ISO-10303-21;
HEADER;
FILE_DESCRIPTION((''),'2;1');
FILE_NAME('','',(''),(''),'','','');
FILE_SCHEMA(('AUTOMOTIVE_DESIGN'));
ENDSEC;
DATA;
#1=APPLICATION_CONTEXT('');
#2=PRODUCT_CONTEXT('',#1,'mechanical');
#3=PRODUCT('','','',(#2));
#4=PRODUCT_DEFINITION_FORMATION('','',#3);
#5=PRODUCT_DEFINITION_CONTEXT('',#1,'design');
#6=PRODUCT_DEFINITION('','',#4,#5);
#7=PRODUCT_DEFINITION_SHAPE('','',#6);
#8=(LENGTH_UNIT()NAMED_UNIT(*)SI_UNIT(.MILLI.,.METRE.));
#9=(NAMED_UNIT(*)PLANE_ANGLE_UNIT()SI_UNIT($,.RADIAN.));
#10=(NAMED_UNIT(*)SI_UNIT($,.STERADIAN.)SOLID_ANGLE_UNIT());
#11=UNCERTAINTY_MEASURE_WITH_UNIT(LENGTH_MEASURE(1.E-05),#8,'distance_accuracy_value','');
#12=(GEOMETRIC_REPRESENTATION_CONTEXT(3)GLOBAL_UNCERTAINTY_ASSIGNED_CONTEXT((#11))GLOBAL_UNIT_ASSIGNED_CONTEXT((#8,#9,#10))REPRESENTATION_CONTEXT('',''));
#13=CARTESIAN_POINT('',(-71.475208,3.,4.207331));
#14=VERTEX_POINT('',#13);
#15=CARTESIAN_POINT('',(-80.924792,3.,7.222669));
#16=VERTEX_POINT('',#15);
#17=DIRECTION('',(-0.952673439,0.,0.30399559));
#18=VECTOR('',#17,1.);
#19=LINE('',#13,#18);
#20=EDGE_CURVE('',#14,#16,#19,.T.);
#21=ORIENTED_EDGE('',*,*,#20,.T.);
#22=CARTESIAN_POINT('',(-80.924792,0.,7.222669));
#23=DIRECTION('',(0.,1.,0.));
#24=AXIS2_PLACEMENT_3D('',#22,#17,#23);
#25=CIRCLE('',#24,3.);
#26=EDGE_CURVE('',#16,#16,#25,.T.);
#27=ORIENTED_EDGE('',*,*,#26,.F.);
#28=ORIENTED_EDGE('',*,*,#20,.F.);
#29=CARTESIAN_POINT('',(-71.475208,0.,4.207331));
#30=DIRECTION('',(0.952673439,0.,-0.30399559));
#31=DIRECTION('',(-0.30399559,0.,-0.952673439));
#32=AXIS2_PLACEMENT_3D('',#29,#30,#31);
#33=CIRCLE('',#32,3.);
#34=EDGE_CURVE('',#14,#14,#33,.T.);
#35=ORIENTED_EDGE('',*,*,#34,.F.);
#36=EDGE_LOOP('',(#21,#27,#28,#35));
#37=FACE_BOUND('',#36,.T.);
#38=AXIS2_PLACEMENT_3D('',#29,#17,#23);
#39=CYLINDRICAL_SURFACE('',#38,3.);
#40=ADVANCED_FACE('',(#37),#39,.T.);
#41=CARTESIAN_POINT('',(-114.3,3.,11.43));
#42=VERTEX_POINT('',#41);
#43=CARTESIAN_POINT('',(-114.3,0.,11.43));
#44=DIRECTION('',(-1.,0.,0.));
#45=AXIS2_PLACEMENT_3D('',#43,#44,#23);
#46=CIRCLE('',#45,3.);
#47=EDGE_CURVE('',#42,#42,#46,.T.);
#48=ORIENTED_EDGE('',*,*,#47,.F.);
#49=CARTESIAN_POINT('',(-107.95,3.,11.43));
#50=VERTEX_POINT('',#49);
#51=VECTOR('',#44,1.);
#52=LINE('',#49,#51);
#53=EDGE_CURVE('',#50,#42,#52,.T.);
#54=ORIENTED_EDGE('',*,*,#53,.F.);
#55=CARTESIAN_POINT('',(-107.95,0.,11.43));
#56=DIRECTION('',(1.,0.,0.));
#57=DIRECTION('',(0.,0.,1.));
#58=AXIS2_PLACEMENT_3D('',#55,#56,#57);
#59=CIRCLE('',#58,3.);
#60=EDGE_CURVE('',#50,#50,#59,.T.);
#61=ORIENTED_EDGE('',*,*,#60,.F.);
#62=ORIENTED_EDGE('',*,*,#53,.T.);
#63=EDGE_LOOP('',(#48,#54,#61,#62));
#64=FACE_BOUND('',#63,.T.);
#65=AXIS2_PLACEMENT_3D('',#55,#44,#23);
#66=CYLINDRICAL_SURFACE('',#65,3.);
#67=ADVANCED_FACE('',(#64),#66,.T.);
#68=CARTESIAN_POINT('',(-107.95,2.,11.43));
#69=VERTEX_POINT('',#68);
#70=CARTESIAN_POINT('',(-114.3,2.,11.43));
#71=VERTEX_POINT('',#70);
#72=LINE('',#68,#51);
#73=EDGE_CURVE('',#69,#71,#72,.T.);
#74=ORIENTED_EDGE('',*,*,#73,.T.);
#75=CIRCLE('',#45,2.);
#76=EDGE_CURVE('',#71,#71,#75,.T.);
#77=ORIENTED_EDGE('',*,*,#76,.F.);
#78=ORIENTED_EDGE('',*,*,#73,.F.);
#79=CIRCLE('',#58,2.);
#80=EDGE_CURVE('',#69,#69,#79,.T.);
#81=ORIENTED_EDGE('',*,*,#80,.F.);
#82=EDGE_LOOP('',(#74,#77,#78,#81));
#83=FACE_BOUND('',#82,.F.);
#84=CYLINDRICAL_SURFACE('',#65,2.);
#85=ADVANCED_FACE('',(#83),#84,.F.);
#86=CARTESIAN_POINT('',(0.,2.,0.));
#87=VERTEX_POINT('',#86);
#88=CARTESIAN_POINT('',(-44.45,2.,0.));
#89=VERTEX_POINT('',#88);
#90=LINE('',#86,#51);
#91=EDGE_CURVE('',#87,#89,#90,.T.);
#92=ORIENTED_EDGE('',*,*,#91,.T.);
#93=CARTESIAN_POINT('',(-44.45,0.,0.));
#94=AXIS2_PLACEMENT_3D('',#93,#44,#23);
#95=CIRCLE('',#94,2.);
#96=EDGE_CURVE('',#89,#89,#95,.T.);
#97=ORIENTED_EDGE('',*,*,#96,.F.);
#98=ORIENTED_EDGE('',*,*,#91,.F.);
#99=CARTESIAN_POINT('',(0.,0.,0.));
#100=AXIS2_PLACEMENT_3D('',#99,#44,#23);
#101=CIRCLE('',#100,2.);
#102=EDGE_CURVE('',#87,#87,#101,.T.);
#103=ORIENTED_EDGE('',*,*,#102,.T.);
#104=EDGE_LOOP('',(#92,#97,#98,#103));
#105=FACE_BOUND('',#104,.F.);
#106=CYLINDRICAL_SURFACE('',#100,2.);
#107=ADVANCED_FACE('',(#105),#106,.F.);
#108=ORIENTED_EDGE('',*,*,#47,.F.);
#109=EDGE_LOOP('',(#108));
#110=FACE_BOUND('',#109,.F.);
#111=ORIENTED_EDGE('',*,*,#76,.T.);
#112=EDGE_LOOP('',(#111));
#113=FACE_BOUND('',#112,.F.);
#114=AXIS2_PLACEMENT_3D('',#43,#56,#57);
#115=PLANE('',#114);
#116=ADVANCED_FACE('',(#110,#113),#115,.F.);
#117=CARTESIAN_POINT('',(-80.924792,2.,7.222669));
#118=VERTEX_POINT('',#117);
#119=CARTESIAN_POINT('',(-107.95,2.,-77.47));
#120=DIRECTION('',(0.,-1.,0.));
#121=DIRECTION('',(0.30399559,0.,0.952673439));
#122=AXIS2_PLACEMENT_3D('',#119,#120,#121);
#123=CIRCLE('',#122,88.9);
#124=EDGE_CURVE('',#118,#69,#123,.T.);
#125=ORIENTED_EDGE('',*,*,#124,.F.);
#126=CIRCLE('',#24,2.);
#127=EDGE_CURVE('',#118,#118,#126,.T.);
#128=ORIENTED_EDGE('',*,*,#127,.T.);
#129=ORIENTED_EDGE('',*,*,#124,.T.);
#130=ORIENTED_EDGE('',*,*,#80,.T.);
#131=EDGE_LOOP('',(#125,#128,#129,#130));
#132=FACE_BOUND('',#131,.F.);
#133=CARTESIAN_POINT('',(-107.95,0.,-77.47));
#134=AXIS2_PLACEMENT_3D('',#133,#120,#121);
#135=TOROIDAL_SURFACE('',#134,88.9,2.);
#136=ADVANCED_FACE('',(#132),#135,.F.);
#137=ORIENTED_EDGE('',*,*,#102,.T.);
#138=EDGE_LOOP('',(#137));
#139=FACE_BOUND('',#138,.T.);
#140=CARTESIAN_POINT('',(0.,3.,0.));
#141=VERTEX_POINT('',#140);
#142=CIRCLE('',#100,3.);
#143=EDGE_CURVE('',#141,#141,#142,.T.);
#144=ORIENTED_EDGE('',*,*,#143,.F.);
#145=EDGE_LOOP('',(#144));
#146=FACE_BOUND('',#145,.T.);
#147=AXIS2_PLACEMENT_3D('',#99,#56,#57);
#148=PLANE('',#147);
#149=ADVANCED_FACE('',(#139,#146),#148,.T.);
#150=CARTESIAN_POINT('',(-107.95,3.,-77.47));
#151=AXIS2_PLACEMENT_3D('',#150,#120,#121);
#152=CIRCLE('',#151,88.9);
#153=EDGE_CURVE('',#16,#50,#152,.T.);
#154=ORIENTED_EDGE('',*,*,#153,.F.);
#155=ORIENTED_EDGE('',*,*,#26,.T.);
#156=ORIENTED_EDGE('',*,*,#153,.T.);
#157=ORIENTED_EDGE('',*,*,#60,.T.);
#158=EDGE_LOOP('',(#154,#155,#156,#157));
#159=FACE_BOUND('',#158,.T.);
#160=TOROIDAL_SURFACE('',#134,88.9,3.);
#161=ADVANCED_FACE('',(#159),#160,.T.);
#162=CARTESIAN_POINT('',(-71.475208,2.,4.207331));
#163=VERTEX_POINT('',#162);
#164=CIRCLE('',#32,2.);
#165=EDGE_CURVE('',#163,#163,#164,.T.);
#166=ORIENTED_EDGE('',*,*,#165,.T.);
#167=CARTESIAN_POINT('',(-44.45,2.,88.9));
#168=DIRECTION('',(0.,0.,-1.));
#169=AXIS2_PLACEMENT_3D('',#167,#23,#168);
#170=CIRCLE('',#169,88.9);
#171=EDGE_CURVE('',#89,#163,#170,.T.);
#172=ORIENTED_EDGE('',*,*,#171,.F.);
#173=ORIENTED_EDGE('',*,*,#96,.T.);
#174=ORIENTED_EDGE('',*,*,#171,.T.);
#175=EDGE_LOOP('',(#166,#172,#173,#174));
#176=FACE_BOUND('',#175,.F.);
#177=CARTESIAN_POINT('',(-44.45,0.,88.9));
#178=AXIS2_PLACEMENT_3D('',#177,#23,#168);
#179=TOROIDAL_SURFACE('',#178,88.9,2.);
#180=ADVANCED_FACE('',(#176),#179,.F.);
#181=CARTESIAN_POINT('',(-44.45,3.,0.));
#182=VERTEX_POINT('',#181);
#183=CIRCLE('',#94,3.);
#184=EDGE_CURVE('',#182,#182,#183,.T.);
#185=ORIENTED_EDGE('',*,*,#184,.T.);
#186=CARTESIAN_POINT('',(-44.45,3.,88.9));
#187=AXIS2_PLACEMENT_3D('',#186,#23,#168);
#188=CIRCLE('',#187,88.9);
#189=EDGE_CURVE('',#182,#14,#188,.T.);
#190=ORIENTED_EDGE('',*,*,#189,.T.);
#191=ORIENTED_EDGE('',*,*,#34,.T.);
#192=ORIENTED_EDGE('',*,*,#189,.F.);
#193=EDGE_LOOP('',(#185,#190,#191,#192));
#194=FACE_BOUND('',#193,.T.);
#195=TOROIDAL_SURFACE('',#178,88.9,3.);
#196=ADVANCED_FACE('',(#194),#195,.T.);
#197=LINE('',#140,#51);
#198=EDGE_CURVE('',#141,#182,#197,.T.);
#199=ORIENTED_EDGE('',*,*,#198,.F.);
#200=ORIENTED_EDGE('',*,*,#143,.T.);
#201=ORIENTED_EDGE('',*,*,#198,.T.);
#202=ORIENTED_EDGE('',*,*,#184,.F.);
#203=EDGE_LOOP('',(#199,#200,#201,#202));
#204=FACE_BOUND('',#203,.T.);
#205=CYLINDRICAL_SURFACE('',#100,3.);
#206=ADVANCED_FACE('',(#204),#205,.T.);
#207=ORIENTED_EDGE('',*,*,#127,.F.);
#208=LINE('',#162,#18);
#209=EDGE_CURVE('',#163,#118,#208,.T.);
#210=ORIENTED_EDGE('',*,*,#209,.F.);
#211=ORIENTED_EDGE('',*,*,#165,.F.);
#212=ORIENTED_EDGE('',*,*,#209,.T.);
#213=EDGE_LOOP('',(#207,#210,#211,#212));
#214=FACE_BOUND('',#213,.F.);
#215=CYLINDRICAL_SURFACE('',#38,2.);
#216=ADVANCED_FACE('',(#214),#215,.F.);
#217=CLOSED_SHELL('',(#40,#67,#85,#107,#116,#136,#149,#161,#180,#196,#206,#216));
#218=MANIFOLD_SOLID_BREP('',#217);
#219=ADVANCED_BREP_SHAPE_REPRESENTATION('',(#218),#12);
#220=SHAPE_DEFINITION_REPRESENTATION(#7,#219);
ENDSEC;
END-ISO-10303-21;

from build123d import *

# Parameters (mm, degrees)
F0_R   = 3
F0_R_2 = 2


with BuildPart() as f2:
    # F2: sweep along a path in F1
    with BuildLine(Plane.XZ) as f2_path:
        Line((0, 0), (-44.45, 0))
        ThreePointArc((-44.45, 0), (-58.1253747721, 1.0581300014), (-71.4752079395, 4.2073312746))
        Line((-71.4752079395, 4.2073312746), (-80.9247920605, 7.2226687254))
        ThreePointArc((-80.9247920605, 7.2226687254), (-94.2746252279, 10.3718699986), (-107.95, 11.43))
        Line((-107.95, 11.43), (-114.3, 11.43))
    # F0 (on Right) → F2 (sweep)
    with BuildSketch(Plane.YZ):
        Circle(F0_R)
        Circle(F0_R_2, mode=Mode.SUBTRACT)
    sweep(path=f2_path.line)


solid = f2.part
